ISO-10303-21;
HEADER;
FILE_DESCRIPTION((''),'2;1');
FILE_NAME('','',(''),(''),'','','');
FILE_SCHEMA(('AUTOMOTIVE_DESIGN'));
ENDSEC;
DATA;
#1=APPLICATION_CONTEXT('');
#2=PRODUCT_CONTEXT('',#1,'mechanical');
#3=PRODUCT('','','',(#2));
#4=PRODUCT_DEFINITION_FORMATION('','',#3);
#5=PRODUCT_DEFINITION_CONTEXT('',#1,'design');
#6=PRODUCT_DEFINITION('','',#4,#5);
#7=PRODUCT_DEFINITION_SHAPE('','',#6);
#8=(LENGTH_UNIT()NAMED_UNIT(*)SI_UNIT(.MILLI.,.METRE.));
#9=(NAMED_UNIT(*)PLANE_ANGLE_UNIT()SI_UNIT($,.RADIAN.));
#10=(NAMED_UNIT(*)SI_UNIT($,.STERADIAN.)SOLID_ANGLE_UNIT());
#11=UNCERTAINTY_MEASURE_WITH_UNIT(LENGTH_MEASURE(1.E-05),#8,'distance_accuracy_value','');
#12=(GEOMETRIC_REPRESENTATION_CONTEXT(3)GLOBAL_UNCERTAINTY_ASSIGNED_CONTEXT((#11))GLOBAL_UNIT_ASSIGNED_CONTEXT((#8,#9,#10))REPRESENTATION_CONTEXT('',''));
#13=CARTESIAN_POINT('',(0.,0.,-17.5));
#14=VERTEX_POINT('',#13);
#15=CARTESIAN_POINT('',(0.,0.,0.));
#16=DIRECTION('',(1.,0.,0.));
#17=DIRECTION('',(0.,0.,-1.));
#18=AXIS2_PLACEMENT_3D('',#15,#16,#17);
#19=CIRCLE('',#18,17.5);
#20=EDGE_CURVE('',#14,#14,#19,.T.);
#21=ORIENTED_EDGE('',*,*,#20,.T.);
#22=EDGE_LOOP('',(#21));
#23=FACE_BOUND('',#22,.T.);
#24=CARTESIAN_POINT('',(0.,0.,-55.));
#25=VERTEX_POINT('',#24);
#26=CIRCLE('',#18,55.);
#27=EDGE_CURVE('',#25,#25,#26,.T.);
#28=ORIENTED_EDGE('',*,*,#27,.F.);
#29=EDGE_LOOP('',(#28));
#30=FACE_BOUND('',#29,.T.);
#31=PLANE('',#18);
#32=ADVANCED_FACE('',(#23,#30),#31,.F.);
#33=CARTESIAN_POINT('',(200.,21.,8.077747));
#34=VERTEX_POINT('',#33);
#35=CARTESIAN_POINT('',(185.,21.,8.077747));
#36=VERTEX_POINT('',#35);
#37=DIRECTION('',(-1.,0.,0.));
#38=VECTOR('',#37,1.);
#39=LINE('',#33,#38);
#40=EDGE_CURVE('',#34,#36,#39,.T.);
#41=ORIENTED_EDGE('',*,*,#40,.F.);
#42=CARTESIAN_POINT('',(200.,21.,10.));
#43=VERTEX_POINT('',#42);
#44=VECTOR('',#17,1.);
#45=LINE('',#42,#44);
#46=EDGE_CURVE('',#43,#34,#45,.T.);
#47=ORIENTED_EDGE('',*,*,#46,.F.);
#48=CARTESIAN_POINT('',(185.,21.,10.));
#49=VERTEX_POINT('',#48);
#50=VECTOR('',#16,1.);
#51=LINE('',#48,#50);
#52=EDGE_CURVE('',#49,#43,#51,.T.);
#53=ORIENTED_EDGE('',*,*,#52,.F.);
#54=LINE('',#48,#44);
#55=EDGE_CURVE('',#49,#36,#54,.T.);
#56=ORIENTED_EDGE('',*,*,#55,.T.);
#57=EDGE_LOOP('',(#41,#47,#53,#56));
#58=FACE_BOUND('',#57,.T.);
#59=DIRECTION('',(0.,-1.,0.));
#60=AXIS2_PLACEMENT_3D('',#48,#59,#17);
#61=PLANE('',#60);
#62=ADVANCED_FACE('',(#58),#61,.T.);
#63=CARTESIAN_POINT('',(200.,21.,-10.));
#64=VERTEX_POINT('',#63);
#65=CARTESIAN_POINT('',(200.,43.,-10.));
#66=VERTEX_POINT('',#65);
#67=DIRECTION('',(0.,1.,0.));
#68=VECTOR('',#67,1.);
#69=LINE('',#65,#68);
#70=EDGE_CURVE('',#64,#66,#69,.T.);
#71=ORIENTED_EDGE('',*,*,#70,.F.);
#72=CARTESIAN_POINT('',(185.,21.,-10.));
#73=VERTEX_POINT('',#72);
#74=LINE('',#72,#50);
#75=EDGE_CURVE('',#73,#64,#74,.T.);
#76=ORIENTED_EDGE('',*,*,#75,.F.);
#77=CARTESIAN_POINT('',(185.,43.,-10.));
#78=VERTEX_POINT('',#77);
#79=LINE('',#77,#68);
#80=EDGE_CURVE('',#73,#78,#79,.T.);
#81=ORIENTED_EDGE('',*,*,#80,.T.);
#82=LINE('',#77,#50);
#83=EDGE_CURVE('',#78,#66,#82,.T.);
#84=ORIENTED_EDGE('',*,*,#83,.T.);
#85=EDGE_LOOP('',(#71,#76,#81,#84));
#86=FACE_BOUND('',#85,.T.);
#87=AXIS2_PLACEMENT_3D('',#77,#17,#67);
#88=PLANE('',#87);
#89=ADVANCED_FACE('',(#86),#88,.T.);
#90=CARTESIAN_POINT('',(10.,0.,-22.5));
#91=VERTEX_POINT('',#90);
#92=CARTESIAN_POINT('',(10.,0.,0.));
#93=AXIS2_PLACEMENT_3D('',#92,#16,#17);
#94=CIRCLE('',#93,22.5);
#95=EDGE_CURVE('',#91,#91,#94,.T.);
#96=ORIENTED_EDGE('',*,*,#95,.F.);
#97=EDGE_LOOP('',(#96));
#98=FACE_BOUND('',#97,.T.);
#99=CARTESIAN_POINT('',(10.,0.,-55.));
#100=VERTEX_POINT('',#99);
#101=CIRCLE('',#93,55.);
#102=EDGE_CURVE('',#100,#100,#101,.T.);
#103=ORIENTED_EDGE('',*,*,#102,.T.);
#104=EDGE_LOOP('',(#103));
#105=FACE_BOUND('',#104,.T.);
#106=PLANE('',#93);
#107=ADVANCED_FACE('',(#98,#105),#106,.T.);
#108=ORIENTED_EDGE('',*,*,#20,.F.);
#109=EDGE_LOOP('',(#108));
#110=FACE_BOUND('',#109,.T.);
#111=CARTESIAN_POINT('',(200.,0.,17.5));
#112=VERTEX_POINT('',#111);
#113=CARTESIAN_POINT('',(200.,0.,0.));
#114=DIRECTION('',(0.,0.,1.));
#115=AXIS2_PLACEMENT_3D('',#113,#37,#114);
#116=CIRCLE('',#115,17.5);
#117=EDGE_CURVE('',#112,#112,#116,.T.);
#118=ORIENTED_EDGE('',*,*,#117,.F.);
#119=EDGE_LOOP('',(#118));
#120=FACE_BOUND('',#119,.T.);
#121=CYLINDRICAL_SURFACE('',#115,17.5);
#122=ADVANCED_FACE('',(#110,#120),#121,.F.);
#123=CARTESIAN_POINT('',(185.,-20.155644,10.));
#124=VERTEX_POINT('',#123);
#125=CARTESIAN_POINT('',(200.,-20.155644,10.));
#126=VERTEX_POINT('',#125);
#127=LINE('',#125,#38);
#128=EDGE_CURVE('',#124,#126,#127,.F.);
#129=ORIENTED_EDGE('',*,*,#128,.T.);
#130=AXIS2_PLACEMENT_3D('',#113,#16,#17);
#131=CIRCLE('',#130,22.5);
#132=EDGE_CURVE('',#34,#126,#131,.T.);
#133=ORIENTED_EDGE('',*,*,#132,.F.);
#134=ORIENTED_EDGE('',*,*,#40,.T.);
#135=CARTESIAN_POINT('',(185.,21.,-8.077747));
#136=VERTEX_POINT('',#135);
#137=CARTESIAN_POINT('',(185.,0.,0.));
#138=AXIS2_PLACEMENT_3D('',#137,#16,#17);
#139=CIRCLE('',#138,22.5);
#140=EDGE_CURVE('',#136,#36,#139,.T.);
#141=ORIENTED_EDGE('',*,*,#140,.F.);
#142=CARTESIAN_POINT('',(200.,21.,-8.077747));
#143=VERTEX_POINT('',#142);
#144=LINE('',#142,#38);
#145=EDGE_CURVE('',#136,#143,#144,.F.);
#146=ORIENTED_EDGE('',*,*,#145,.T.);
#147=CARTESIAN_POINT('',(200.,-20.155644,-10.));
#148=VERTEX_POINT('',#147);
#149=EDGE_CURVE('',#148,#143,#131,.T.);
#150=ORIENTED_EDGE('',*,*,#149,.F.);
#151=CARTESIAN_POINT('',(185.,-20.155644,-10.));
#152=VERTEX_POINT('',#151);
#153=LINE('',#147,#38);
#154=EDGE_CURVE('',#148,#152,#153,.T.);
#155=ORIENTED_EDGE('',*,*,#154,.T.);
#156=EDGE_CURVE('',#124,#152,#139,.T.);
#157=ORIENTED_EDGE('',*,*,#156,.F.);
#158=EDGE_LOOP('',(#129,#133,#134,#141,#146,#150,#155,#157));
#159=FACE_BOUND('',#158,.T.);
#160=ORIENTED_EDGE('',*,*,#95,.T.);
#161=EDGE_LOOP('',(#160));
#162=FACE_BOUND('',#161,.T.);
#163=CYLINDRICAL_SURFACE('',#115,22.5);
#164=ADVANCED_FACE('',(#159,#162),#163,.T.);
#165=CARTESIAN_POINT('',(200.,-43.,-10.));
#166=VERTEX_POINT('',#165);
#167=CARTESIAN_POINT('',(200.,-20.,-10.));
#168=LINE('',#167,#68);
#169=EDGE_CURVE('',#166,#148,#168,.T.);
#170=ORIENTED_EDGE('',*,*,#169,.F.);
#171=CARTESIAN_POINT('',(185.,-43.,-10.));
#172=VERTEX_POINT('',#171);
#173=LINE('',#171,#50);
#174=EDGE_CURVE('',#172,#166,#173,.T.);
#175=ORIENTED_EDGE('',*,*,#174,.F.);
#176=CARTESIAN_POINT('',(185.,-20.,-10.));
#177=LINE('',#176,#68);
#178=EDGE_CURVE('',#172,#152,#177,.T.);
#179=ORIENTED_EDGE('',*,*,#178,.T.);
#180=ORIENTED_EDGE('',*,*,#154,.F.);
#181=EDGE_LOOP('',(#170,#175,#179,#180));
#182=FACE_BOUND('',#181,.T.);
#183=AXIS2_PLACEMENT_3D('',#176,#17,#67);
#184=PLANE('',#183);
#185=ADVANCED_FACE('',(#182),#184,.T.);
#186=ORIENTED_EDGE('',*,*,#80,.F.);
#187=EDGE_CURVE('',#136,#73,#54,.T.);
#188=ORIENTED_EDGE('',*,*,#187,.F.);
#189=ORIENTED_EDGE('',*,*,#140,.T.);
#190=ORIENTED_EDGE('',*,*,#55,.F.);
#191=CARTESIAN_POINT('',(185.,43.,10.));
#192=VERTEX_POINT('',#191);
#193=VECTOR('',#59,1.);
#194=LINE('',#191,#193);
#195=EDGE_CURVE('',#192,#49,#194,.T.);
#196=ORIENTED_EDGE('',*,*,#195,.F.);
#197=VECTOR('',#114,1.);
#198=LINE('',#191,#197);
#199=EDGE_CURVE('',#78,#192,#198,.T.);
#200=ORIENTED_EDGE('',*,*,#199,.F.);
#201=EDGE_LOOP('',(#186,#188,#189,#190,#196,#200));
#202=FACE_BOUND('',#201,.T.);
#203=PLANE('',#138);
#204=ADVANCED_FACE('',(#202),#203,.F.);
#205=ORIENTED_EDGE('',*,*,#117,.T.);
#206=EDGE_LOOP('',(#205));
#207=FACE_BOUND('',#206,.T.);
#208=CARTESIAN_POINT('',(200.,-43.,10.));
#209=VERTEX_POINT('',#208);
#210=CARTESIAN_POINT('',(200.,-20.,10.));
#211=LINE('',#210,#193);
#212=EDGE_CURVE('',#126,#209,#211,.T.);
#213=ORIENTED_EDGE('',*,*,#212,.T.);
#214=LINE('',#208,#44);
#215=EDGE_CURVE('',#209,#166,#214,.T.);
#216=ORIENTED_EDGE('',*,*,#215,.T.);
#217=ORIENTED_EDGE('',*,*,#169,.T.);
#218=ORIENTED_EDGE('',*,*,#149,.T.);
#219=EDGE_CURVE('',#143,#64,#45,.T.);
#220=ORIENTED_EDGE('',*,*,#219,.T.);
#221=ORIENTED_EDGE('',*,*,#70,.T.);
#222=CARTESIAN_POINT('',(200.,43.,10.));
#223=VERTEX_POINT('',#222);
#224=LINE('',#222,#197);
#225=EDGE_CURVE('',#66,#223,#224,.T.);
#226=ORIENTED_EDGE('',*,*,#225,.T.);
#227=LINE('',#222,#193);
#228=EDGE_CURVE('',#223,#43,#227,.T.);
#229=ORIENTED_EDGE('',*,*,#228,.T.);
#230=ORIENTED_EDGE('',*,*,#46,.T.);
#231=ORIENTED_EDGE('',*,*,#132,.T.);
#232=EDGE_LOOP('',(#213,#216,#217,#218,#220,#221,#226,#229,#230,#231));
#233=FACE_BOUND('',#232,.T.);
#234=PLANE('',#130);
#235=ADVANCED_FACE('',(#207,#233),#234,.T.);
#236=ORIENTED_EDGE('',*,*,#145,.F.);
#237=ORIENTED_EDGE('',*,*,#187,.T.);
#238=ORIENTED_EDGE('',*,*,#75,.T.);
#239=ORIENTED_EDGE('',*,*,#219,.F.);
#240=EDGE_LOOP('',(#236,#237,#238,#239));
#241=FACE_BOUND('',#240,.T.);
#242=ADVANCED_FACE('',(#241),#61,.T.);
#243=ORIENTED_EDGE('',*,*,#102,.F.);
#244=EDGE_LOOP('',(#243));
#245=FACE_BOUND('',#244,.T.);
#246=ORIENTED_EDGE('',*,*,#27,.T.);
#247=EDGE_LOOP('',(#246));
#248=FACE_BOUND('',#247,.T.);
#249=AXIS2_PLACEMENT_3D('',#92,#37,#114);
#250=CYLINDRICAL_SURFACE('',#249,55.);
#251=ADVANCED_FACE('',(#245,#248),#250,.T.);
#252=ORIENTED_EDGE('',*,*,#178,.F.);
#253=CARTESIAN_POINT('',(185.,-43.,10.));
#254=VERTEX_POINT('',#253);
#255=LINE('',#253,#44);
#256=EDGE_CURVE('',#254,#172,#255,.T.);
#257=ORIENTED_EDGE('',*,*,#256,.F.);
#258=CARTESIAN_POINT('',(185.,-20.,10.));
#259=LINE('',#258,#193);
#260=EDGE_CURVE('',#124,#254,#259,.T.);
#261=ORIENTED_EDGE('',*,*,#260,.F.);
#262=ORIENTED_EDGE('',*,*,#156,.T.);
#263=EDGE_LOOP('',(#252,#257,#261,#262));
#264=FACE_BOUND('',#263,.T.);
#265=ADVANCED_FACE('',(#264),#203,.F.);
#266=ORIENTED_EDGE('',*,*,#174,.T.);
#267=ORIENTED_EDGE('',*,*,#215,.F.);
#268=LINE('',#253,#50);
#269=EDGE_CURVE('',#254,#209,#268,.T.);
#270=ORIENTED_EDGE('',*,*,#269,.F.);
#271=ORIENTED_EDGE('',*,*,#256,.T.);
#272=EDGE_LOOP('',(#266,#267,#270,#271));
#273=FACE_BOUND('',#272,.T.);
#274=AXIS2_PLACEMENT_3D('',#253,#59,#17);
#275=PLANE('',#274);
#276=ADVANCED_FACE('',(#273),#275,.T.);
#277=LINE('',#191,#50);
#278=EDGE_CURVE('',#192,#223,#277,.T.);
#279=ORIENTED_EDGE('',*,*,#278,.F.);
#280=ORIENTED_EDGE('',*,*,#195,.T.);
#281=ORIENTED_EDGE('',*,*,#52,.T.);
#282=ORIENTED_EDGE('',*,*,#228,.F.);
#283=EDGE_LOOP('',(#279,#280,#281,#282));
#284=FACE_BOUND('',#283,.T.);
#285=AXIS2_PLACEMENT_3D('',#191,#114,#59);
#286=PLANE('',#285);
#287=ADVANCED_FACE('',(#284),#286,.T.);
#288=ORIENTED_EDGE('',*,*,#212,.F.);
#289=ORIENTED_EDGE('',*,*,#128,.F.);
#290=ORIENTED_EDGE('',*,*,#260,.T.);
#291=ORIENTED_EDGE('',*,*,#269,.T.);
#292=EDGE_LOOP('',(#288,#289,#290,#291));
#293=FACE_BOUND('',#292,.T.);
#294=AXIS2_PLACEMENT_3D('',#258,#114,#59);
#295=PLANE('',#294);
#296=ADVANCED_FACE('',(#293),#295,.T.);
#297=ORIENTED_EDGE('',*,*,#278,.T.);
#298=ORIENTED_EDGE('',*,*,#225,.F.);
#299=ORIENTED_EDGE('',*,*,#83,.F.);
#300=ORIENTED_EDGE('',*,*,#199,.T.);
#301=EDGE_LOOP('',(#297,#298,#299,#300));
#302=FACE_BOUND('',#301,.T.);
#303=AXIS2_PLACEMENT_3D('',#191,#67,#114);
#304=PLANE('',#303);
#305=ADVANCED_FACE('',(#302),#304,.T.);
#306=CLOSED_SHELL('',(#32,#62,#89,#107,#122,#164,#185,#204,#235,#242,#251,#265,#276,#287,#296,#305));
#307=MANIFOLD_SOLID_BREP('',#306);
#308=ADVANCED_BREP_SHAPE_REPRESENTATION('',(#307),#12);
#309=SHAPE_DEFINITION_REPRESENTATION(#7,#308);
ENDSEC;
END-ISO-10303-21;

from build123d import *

# Parameters (mm, degrees)
SKETCH2_R               = 55
BOSS_EXTRUDE1_DEPTH     = 10
SKETCH3_R               = 22.5
BOSS_EXTRUDE2_DEPTH     = 190
SKETCH4_R               = 17.5
CUT_EXTRUDE1_DEPTH      = 1
CUT_EXTRUDE1_DEPTH_BACK = 201
SKETCH9_W               = 20
SKETCH9_H               = 22
BOSS_EXTRUDE3_DEPTH     = 15
SKETCH10_W              = 20
SKETCH10_H              = 23
BOSS_EXTRUDE4_DEPTH     = 15


with BuildPart() as part:
    # Sketch2 → Boss-Extrude1 (new body)
    with BuildSketch(Plane(origin=(0, 0, 0), x_dir=(0, 0, -1), z_dir=(1, 0, 0))):
        Circle(SKETCH2_R)
    extrude(amount=BOSS_EXTRUDE1_DEPTH)

    # Sketch3 → Boss-Extrude2 (add)
    with BuildSketch(Plane(origin=(10, 0, 0), x_dir=(0, 0, -1), z_dir=(1, 0, 0))):
        Circle(SKETCH3_R)
    extrude(amount=BOSS_EXTRUDE2_DEPTH)

    # Sketch4 → Cut-Extrude1 (cut, two sides)
    with BuildSketch(Plane.ZY) as cut_extrude1_sk:
        Circle(SKETCH4_R)
    extrude(amount=CUT_EXTRUDE1_DEPTH, mode=Mode.SUBTRACT)
    extrude(cut_extrude1_sk.sketch, amount=-CUT_EXTRUDE1_DEPTH_BACK, mode=Mode.SUBTRACT)

    # Sketch9 → Boss-Extrude3 (add)
    with BuildSketch(Plane(origin=(200, 0, 0), x_dir=(0, 0, -1), z_dir=(1, 0, 0))):
        with Locations((0, 32)):
            Rectangle(SKETCH9_W, SKETCH9_H)
    extrude(amount=-BOSS_EXTRUDE3_DEPTH)

    # Sketch10 → Boss-Extrude4 (add)
    with BuildSketch(Plane(origin=(200, 0, 0), x_dir=(0, 0, -1), z_dir=(1, 0, 0))):
        with Locations((0, -31.5)):
            Rectangle(SKETCH10_W, SKETCH10_H)
    extrude(amount=-BOSS_EXTRUDE4_DEPTH)


solid = part.part
